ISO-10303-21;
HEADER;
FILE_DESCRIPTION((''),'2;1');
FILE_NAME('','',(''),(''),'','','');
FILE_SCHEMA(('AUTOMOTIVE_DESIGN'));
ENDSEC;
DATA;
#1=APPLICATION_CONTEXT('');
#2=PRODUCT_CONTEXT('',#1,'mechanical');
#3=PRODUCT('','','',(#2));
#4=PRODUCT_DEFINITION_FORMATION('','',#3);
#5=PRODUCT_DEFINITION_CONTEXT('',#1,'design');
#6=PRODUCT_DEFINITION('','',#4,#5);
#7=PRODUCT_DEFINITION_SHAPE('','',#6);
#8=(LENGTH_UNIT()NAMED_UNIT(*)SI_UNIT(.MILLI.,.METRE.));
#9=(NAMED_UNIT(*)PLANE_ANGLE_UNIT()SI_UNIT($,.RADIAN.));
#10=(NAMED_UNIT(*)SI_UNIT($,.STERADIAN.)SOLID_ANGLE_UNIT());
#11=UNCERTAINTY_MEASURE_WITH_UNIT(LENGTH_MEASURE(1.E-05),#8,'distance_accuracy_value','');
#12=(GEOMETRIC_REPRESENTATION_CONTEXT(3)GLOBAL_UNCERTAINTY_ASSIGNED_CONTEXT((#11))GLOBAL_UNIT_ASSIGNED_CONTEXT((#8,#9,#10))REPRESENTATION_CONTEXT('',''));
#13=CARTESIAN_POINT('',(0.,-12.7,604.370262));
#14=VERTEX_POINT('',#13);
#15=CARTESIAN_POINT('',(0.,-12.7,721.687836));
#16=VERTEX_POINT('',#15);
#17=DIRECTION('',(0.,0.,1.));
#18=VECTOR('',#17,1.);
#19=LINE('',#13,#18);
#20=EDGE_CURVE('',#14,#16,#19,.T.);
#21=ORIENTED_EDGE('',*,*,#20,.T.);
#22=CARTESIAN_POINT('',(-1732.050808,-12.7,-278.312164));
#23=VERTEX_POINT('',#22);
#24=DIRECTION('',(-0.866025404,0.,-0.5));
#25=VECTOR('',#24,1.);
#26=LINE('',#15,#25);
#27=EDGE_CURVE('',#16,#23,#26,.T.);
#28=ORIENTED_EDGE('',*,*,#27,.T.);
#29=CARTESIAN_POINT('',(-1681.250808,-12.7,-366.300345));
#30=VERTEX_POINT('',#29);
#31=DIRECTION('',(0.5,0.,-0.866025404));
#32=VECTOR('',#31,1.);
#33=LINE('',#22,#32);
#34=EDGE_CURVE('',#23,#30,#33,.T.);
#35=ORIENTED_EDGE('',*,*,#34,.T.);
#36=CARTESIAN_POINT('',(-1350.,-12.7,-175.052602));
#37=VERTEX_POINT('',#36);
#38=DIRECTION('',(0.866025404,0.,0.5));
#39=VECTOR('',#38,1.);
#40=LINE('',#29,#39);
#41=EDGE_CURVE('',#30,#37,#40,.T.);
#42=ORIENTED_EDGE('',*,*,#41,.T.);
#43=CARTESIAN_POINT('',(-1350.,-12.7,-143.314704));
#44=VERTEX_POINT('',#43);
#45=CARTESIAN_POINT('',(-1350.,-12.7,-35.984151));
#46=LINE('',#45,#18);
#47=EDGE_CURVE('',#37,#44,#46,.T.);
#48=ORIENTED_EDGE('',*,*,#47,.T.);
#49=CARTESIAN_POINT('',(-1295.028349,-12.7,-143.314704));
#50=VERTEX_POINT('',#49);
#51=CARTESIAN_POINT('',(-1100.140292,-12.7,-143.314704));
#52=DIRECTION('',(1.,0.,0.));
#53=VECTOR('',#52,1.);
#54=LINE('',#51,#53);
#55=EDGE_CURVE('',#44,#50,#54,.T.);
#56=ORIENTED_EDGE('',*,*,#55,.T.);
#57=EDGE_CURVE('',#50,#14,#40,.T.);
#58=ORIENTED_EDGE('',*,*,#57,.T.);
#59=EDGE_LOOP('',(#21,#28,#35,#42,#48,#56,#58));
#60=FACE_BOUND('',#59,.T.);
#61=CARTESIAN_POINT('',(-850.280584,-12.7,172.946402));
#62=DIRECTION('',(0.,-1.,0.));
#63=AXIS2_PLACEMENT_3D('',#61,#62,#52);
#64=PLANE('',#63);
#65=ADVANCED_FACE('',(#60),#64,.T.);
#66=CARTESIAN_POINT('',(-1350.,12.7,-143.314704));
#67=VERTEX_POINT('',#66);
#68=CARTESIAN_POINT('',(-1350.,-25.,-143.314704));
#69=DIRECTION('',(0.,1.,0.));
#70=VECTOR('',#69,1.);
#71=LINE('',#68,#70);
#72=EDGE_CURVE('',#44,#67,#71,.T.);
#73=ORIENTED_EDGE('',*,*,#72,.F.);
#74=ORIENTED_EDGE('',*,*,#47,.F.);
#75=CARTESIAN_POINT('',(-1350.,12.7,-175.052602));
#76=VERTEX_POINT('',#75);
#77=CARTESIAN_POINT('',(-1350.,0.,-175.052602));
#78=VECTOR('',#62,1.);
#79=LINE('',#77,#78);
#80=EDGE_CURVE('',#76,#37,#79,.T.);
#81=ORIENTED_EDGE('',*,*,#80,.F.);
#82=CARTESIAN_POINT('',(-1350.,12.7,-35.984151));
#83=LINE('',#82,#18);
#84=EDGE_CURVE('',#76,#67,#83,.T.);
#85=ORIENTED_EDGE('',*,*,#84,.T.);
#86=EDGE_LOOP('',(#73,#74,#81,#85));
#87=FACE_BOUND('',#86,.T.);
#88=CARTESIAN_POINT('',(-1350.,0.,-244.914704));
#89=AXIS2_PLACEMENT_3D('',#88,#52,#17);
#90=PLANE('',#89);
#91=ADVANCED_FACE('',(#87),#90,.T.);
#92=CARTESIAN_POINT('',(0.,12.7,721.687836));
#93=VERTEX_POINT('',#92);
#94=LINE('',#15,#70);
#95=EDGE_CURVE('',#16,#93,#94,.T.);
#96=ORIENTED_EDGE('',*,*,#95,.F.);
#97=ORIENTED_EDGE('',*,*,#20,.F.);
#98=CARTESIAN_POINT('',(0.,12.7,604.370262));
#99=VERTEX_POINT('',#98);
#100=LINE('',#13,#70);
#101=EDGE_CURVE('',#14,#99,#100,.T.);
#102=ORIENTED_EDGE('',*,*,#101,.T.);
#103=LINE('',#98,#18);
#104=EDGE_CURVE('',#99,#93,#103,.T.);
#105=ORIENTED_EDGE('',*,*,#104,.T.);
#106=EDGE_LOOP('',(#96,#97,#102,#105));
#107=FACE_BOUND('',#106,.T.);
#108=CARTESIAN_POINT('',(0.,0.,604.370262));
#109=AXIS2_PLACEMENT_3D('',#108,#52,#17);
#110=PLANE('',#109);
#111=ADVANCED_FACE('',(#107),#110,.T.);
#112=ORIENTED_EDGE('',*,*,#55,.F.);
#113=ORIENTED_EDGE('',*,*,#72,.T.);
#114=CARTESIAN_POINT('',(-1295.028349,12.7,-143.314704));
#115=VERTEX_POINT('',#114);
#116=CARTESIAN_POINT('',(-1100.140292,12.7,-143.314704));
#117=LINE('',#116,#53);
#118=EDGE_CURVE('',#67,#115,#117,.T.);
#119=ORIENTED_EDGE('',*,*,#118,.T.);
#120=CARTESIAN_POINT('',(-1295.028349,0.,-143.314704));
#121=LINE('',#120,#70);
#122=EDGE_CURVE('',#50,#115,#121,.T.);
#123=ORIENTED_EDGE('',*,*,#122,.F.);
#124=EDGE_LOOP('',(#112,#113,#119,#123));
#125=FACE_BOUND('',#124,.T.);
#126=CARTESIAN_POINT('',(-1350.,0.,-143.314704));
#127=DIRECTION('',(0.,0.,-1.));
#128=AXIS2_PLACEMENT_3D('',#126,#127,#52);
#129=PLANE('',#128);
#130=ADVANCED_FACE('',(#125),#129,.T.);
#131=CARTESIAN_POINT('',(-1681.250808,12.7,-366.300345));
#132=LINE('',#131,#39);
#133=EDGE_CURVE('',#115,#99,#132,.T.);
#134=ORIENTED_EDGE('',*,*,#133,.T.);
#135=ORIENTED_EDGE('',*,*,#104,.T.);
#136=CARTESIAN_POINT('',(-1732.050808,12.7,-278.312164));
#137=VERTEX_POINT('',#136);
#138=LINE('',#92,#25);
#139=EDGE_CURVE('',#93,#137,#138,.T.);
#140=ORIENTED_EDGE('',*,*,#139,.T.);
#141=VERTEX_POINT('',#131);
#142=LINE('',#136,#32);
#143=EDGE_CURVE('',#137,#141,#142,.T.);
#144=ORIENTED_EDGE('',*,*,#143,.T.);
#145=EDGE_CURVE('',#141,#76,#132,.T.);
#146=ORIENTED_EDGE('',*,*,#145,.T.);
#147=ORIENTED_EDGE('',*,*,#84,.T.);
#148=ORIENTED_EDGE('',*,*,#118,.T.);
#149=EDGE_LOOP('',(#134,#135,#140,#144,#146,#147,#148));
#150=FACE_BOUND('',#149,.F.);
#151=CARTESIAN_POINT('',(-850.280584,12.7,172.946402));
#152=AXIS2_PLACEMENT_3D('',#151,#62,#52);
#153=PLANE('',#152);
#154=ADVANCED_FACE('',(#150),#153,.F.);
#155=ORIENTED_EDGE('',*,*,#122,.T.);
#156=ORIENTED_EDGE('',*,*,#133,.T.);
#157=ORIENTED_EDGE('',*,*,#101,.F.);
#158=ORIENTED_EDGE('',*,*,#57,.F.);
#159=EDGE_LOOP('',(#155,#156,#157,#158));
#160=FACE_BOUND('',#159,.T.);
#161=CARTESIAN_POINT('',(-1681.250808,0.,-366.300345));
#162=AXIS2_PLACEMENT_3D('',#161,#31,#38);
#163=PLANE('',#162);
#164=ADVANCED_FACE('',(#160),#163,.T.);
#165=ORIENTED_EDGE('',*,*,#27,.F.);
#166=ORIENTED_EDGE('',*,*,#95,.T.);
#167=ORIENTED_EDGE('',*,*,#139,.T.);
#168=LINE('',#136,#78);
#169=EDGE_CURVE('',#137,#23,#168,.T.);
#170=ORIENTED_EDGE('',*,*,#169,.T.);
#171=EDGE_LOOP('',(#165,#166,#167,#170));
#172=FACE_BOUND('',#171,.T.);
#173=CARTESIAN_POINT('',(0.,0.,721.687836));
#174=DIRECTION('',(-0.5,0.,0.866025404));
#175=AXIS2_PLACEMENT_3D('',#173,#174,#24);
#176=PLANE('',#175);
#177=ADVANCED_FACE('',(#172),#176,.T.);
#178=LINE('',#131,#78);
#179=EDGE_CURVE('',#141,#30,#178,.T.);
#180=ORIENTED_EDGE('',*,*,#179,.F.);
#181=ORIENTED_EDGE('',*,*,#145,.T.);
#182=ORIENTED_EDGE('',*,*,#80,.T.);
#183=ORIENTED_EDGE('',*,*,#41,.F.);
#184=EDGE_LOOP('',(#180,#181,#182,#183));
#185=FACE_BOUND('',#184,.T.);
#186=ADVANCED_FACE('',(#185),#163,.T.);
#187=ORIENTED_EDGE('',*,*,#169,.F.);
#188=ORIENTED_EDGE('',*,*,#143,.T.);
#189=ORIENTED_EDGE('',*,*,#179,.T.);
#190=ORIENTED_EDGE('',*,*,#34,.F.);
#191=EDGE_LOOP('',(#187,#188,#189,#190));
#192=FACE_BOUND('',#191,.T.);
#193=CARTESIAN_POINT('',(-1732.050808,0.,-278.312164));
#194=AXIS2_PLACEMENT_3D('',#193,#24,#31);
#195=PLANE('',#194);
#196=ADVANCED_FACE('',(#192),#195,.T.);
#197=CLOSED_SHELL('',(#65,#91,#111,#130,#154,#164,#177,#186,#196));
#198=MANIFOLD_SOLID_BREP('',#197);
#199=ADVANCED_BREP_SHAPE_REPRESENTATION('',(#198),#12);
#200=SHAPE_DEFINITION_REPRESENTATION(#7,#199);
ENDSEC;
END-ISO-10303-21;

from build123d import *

# Parameters (mm, degrees)
F1_DEPTH = 12.7
F2_W     = 101.6
F2_H     = 101.6
F3_DEPTH = 25


with BuildPart() as f1:
    # F0 (on Front) → F1 (new body, symmetric)
    with BuildSketch(Plane.XZ):
        Polygon((0, 721.687836), (-1732.050808, -278.312164), (-1681.250808, -366.300345), (0, 604.370262), align=None)
    extrude(amount=F1_DEPTH, both=True)

    # F2 (on Front) → F3 (cut, symmetric)
    with BuildSketch(Plane.XZ):
        with Locations((-1299.2, -194.114704)):
            Rectangle(F2_W, F2_H)
    extrude(amount=F3_DEPTH, both=True, mode=Mode.SUBTRACT)


solid = f1.part
